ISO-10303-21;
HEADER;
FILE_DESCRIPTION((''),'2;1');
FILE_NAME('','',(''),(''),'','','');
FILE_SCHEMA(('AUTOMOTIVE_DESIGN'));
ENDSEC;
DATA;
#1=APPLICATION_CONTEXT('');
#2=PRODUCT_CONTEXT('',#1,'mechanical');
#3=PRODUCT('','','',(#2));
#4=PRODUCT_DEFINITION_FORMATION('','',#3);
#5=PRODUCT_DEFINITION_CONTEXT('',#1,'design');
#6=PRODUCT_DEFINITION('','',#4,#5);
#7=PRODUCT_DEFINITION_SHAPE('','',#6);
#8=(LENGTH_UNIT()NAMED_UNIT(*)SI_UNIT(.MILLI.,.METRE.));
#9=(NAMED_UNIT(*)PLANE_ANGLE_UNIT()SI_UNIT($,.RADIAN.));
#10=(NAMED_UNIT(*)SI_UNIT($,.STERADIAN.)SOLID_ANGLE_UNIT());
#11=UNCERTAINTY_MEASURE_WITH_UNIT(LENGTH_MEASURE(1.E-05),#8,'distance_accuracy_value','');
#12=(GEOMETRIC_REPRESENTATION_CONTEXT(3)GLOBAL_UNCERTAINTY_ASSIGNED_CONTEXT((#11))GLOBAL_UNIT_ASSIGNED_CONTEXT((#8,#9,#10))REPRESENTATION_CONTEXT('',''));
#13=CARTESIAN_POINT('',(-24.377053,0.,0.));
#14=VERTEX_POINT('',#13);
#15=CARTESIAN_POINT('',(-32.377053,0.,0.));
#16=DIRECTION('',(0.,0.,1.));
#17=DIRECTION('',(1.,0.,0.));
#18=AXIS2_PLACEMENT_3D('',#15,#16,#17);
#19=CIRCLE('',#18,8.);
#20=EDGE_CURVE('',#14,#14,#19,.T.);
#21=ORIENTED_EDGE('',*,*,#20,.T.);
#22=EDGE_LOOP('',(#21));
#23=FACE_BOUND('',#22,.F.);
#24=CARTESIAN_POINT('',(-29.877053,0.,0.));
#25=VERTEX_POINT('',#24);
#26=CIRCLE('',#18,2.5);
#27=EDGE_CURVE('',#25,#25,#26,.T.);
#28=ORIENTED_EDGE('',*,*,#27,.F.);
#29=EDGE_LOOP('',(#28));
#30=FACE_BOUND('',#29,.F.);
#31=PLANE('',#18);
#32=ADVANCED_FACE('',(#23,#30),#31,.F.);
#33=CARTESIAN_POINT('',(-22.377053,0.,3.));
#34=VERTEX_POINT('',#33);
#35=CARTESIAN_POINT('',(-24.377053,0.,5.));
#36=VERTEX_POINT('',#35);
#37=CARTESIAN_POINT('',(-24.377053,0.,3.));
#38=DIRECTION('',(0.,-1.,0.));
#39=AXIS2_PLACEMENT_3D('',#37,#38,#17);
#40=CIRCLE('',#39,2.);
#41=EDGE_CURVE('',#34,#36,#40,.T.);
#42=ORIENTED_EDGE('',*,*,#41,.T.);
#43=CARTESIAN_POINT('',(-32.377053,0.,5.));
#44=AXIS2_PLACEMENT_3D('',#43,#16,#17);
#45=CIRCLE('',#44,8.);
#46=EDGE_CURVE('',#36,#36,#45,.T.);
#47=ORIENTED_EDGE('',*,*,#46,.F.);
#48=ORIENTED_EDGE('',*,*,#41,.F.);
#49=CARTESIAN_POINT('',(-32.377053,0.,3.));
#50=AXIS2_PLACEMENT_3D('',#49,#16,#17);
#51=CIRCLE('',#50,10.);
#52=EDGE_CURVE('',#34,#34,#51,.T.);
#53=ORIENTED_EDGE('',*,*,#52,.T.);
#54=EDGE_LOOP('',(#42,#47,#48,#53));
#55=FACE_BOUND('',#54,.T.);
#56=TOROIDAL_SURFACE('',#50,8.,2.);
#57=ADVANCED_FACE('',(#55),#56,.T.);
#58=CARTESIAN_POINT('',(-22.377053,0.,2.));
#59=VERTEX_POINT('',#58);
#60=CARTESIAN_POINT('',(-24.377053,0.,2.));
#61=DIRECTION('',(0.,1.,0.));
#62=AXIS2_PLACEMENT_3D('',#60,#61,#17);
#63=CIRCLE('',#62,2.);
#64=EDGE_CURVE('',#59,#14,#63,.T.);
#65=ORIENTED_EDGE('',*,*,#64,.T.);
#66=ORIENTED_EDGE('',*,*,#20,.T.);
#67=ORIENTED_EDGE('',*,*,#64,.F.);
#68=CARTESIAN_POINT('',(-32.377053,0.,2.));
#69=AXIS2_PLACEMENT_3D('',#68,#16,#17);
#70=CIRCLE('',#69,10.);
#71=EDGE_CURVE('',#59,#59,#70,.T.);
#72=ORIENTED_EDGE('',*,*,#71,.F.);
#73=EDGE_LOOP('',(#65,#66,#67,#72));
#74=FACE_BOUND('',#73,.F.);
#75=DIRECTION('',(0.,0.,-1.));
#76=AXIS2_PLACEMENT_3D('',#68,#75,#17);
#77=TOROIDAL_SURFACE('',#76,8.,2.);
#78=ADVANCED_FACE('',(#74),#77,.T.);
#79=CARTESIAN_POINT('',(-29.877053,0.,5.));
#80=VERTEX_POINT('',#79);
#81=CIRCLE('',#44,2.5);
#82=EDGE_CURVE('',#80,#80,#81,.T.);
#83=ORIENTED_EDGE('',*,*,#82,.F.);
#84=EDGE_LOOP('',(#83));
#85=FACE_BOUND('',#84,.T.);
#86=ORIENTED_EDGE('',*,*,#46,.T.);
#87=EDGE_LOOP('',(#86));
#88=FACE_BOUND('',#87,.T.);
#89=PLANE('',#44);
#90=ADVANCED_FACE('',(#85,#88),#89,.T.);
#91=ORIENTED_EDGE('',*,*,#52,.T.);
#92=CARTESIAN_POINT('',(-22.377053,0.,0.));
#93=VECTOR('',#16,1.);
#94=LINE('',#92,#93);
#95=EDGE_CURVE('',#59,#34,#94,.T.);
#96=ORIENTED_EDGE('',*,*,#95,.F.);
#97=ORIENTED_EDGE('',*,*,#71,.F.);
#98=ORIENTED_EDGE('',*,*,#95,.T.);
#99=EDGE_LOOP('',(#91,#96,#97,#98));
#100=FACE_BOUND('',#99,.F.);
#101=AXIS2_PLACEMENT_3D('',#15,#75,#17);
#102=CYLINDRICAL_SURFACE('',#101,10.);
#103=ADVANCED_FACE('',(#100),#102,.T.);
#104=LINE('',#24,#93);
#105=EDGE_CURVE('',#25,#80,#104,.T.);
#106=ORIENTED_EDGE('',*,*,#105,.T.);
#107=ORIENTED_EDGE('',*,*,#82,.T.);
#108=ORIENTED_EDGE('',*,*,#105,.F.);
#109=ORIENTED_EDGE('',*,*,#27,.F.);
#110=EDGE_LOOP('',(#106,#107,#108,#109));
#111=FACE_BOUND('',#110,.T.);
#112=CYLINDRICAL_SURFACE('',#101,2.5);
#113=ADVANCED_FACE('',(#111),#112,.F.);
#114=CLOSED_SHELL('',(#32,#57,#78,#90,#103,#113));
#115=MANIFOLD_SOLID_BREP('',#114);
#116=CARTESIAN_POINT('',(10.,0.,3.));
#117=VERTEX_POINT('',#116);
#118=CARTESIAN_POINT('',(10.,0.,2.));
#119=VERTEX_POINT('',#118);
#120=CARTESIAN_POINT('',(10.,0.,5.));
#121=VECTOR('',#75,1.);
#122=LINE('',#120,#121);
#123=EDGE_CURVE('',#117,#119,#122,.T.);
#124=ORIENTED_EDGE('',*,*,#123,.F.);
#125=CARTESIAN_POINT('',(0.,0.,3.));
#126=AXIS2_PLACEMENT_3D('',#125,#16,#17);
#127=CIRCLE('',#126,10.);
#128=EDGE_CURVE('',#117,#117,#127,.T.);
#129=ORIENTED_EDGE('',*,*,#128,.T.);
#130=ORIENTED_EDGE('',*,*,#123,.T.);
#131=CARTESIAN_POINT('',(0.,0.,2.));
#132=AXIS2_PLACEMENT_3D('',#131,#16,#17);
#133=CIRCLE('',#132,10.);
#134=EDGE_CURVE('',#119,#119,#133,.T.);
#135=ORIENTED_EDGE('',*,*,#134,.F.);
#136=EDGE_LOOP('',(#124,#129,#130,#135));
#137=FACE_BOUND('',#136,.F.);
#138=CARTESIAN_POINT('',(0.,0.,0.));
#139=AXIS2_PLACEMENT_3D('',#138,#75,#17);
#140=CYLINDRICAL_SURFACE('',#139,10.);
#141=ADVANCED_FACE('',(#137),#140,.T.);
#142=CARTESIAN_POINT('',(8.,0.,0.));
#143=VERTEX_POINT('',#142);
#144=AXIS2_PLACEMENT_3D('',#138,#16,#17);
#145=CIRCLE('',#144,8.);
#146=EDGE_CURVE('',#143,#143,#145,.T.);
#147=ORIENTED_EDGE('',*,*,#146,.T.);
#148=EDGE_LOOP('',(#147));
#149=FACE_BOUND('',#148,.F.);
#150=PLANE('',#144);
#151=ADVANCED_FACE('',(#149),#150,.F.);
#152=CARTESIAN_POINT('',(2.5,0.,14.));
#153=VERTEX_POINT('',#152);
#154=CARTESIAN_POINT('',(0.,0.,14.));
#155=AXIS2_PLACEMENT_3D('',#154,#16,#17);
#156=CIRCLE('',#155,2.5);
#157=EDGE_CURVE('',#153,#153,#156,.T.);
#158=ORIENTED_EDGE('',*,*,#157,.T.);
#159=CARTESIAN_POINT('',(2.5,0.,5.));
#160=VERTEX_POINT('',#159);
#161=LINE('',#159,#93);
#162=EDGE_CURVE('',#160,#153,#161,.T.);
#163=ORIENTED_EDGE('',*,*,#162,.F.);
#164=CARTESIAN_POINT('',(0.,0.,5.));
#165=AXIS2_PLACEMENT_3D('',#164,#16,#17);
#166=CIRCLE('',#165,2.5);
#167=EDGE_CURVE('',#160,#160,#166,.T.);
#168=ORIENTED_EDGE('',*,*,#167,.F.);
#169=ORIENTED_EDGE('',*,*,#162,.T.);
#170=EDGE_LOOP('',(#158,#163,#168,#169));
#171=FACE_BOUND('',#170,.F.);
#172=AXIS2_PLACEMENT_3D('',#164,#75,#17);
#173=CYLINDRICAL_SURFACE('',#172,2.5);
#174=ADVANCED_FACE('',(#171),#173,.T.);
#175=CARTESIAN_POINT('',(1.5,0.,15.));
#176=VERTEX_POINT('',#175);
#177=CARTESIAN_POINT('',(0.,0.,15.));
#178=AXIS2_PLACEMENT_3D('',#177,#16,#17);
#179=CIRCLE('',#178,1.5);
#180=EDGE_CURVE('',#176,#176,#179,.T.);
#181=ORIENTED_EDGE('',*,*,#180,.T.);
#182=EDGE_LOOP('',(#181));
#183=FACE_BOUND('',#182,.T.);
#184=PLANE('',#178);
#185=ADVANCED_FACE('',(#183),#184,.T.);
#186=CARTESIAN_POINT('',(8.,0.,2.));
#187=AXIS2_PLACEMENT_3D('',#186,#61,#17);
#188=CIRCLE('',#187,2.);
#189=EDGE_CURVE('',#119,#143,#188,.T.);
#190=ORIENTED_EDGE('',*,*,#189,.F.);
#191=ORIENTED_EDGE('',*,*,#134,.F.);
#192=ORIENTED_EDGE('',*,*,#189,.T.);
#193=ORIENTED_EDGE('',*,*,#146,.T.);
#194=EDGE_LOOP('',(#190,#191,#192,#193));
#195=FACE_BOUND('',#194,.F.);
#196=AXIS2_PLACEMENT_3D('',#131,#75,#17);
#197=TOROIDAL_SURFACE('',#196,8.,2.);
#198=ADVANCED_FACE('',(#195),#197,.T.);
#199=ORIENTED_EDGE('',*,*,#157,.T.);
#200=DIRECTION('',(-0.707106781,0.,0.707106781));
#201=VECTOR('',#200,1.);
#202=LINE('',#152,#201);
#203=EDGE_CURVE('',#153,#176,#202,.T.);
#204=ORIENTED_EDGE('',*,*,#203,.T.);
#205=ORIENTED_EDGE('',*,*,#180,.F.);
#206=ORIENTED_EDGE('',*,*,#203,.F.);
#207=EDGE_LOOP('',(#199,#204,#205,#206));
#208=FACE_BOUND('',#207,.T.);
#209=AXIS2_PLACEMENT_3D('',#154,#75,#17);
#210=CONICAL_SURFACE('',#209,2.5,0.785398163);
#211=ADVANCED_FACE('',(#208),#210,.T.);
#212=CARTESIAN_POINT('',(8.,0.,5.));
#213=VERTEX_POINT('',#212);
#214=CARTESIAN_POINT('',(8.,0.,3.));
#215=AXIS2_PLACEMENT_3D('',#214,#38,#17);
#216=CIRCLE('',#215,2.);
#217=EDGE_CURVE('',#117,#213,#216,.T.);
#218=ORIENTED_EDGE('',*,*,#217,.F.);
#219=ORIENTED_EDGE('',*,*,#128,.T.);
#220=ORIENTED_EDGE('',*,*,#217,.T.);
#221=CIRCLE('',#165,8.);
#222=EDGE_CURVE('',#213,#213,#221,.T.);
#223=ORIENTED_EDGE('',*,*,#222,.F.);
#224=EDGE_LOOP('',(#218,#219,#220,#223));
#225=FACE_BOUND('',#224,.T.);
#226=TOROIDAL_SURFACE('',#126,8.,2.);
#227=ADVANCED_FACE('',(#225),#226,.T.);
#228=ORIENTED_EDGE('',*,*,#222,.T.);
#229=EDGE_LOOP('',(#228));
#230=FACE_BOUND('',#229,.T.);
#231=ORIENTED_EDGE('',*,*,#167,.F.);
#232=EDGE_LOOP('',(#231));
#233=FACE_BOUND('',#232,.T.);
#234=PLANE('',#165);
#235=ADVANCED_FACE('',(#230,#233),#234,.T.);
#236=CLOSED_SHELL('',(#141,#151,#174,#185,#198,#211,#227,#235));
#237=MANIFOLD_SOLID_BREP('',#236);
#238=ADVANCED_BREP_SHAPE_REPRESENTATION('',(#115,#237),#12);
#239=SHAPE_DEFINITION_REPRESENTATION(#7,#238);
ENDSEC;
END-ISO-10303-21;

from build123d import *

# Parameters (mm, degrees)
F0_R     = 10
F1_DEPTH = 5
F2_R     = 2.5
F3_DEPTH = 10
F4_SIZE  = 1
F5_R     = 2
F0_R_2   = 2.5
F6_DEPTH = 5
F7_R     = 2


with BuildPart() as f1:
    # F0 (on Top) → F1 (new body)
    with BuildSketch(Plane.XY):
        Circle(F0_R)
    extrude(amount=F1_DEPTH)

    # F2 (on face) → F3 (join)
    with BuildSketch(Plane.XY.offset(5)):
        Circle(F2_R)
    extrude(amount=F3_DEPTH)

    # F4
    f4_edges = [f1.edges().sort_by_distance(p)[0] for p in [
        (-2.5, 0, 15),
    ]]
    chamfer(f4_edges, length=F4_SIZE)

    # F5
    f5_edges = [f1.edges().sort_by_distance(p)[0] for p in [
        (-10, 0, 5),
        (-10, 0, 0),
    ]]
    fillet(f5_edges, radius=F5_R)

    # F0 (on Top) → F6 (join)
    with BuildSketch(Plane.XY):
        Circle(F0_R)
        with Locations((-32.377053, 0)):
            Circle(F0_R)
        with Locations((-32.377053, 0)):
            Circle(F0_R_2, mode=Mode.SUBTRACT)
    extrude(amount=F6_DEPTH)

    # F7
    f7_edges = [f1.edges().sort_by_distance(p)[0] for p in [
        (-42.377053, 0, 5),
        (-42.377053, 0, 0),
        (-10, 0, 5),
        (-10, 0, 0),
    ]]
    fillet(f7_edges, radius=F7_R)


solid = f1.part
